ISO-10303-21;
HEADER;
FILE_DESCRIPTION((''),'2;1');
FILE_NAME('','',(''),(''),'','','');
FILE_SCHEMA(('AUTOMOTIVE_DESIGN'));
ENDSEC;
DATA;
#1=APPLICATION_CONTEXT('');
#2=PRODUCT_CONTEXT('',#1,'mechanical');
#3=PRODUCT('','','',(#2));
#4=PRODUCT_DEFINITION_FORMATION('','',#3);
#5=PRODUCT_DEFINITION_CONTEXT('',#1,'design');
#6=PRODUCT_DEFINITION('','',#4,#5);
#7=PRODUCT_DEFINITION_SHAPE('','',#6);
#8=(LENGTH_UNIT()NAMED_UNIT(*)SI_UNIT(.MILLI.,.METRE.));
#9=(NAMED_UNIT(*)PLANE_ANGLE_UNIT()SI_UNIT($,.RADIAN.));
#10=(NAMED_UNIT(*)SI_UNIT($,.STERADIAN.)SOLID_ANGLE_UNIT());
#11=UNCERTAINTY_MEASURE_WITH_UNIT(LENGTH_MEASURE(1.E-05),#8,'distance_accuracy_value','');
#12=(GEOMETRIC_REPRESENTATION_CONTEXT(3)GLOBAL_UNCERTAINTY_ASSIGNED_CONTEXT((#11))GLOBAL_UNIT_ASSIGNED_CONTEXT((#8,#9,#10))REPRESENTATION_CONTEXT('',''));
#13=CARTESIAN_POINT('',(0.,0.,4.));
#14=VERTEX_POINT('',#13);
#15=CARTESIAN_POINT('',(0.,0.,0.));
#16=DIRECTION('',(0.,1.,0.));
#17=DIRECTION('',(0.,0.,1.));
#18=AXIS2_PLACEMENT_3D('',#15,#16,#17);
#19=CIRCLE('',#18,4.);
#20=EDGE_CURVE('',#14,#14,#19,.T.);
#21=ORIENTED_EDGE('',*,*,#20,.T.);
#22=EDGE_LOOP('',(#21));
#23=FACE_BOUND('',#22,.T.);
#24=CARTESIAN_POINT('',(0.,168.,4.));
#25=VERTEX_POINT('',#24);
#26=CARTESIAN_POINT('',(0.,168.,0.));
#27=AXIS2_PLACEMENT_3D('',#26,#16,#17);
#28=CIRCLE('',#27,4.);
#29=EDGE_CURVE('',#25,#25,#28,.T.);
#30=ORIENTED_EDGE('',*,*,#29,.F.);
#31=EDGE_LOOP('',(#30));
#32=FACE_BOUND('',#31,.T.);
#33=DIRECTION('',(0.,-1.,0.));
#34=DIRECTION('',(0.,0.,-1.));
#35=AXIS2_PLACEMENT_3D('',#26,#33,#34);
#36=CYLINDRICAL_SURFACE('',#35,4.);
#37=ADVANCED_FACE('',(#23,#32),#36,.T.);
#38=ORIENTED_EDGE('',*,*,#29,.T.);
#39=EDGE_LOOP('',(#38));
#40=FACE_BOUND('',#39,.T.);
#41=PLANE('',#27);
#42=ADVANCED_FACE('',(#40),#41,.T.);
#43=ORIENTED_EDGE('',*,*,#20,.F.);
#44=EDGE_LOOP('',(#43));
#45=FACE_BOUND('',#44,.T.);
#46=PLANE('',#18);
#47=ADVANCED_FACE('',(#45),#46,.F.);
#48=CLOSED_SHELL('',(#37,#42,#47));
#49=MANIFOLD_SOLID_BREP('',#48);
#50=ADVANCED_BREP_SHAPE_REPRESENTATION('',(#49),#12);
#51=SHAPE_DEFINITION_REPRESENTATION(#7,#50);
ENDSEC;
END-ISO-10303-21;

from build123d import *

# Parameters (mm, degrees)
CROQUIS1_R              = 4
SALIENTE_EXTRUIR1_DEPTH = 168


with BuildPart() as part:
    # Croquis1 → Saliente-Extruir1 (new body)
    with BuildSketch(Plane(origin=(0, 0, 0), x_dir=(1, 0, 0), z_dir=(0, 1, 0))):
        Circle(CROQUIS1_R)
    extrude(amount=SALIENTE_EXTRUIR1_DEPTH)


solid = part.part
